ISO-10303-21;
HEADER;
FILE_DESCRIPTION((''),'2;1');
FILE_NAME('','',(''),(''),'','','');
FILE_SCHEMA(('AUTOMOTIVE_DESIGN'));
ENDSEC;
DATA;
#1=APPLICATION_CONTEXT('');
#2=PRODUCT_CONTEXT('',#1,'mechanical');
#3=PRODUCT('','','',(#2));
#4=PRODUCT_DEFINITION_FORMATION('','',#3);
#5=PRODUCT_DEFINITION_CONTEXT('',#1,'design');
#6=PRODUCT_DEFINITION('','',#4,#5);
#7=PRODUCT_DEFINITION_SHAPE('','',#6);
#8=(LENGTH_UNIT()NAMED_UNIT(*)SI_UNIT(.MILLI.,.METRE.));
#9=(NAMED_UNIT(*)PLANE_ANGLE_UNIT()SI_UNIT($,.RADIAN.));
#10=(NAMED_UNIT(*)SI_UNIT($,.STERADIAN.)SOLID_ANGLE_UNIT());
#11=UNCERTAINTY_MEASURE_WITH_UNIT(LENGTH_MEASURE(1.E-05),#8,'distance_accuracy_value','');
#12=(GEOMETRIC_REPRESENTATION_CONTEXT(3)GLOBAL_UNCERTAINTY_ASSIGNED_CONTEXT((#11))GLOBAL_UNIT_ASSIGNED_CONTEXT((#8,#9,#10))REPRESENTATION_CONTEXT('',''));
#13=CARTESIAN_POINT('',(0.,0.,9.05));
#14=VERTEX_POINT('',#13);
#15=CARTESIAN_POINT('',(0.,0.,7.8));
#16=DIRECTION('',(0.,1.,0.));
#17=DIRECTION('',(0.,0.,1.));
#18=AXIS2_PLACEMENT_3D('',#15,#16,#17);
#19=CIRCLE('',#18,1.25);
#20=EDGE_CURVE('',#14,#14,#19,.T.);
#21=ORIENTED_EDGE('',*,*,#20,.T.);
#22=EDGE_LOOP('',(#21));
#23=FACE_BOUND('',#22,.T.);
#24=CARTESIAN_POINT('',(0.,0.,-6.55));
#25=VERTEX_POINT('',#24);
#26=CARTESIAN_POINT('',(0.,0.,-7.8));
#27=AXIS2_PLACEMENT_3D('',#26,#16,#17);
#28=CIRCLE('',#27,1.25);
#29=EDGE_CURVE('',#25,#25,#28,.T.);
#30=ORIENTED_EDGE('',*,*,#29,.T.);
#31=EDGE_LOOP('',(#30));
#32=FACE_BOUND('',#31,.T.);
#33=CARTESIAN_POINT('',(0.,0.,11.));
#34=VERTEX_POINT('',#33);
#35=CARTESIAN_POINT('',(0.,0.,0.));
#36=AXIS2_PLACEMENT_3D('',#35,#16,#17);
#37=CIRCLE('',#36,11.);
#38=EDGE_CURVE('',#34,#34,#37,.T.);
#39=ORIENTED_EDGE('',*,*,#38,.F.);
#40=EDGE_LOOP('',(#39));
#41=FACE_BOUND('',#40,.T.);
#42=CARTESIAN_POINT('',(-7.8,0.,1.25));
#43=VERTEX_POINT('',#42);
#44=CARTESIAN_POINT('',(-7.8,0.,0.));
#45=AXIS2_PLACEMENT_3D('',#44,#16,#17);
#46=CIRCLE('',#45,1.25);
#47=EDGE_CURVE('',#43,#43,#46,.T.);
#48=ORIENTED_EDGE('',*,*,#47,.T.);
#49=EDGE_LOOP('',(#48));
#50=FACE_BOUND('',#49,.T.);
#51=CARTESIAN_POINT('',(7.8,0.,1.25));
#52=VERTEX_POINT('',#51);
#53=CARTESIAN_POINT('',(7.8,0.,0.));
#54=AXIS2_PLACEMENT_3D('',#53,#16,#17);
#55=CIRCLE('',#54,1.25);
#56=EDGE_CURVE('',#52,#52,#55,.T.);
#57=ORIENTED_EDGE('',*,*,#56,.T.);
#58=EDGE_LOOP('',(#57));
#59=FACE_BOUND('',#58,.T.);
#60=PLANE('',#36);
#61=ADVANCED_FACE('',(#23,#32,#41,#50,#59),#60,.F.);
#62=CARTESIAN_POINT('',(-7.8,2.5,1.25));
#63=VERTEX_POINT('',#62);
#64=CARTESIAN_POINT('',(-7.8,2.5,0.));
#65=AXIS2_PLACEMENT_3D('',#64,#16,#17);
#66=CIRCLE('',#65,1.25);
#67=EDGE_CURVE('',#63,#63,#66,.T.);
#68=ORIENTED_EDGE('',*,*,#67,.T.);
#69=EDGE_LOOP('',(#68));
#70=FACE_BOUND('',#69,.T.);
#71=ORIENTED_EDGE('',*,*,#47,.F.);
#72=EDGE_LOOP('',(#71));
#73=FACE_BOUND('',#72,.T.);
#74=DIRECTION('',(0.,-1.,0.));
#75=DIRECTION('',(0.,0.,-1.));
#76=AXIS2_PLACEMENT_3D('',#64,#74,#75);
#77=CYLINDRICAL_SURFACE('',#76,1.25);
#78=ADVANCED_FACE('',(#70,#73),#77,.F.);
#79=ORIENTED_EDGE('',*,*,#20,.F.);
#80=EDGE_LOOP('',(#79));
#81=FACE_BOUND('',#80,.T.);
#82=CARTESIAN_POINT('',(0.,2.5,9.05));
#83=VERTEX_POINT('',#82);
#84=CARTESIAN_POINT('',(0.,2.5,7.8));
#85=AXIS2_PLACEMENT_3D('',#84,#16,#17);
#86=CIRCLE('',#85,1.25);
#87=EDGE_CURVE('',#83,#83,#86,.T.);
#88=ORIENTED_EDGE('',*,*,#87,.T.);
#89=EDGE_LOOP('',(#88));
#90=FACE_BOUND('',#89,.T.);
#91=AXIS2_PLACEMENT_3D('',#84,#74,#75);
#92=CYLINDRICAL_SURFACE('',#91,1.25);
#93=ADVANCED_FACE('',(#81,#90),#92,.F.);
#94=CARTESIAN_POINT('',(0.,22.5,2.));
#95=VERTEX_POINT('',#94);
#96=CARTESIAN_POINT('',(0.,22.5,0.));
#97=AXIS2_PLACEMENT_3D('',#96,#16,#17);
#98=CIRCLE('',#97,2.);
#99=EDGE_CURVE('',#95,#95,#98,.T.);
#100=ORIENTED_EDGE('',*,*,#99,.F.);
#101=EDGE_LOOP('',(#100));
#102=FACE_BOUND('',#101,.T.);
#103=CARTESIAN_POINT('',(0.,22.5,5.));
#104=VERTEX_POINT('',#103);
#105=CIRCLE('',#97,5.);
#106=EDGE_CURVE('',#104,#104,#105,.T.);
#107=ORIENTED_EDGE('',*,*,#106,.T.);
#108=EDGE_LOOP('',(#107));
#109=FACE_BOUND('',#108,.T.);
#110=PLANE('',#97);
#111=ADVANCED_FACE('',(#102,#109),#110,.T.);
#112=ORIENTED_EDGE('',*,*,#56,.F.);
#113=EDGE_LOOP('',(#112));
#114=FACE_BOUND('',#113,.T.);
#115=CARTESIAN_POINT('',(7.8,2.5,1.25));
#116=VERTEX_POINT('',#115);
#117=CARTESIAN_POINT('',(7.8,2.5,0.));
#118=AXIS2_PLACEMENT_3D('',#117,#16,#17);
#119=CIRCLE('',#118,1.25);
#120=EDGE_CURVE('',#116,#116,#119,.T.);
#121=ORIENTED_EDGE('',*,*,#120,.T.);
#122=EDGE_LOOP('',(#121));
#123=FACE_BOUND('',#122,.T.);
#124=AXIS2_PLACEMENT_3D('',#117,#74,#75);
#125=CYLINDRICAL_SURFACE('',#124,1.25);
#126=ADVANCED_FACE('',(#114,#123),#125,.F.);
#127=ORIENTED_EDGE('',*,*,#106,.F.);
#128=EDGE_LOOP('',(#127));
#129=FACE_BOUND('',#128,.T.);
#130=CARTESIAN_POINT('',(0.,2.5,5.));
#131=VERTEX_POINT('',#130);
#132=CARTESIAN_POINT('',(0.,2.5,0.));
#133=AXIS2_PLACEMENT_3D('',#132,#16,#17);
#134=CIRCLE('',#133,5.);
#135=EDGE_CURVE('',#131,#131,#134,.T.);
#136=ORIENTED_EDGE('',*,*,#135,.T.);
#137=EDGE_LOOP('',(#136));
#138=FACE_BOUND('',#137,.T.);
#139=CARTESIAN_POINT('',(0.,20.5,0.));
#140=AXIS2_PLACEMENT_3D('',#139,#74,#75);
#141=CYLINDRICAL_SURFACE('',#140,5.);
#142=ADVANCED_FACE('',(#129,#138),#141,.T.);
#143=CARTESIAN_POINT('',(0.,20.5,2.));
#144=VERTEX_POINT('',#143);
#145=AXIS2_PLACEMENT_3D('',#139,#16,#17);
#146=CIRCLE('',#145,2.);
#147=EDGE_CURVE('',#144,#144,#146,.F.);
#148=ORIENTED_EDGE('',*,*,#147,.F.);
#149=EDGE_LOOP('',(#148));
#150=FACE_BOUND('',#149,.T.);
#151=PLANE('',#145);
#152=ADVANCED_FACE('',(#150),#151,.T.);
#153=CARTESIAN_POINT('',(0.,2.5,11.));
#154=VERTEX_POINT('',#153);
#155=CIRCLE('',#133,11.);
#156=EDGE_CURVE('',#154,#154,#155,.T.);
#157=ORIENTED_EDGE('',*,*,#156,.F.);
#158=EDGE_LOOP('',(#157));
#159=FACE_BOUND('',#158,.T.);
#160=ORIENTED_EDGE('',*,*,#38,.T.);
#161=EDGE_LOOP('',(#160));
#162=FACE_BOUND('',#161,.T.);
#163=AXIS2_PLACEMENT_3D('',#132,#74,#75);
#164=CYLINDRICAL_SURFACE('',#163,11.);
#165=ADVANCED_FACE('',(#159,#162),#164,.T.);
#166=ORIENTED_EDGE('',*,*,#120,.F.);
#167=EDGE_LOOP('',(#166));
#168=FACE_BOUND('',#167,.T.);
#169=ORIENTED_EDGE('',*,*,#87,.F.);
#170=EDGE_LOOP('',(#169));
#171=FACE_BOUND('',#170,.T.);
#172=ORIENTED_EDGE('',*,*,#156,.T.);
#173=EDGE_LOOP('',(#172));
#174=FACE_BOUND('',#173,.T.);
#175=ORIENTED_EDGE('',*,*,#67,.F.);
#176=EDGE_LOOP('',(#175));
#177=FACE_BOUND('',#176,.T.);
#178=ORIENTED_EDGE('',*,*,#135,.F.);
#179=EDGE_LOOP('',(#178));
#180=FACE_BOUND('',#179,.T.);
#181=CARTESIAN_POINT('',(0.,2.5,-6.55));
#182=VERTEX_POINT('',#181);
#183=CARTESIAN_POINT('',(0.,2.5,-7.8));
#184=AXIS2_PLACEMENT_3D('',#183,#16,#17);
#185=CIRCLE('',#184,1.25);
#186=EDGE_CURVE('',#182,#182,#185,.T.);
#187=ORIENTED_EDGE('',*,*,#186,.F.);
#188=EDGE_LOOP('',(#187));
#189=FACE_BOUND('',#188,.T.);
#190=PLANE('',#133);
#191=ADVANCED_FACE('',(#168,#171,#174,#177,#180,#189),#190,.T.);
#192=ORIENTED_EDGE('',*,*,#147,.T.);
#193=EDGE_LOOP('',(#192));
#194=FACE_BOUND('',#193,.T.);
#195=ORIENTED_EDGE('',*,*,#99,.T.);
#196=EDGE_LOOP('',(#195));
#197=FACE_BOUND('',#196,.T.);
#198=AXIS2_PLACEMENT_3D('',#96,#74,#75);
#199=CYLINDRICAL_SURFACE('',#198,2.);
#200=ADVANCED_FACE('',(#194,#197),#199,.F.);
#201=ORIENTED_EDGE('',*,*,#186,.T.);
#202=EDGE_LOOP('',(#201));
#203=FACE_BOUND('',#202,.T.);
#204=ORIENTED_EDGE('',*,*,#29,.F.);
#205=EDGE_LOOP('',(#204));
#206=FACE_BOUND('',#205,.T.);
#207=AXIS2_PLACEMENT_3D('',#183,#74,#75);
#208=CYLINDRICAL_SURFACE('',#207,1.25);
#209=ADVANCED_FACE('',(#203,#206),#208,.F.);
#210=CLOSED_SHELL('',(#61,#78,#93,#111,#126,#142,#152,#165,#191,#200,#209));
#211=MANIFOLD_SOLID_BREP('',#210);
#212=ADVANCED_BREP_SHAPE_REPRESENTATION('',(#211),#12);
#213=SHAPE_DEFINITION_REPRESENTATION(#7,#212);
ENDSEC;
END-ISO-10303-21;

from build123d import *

# Parameters (mm, degrees)
SKETCH1_R           = 11
SKETCH1_R_2         = 1.25
BOSS_EXTRUDE2_DEPTH = 2.5
SKETCH2_R           = 5
BOSS_EXTRUDE3_DEPTH = 18
SKETCH3_R           = 5
SKETCH3_R_2         = 2
BOSS_EXTRUDE4_DEPTH = 2


with BuildPart() as part:
    # Sketch1 → Boss-Extrude2 (new body)
    with BuildSketch(Plane(origin=(0, 0, 0), x_dir=(1, 0, 0), z_dir=(0, 1, 0))):
        with Locations(Location((0, 0, 0), (0, 0, 270))):
            Circle(SKETCH1_R)
        with Locations(Location((-7.8, 0, 0), (0, 0, 270))):
            Circle(SKETCH1_R_2, mode=Mode.SUBTRACT)
        with Locations(Location((0, 7.8, 0), (0, 0, 270))):
            Circle(SKETCH1_R_2, mode=Mode.SUBTRACT)
        with Locations(Location((7.8, 0, 0), (0, 0, 270))):
            Circle(SKETCH1_R_2, mode=Mode.SUBTRACT)
        with Locations(Location((0, -7.8, 0), (0, 0, 270))):
            Circle(SKETCH1_R_2, mode=Mode.SUBTRACT)
    extrude(amount=BOSS_EXTRUDE2_DEPTH)

    # Sketch2 → Boss-Extrude3 (add)
    with BuildSketch(Plane(origin=(0, 2.5, 0), x_dir=(1, 0, 0), z_dir=(0, 1, 0))):
        with Locations(Location((0, 0, 0), (0, 0, 270))):
            Circle(SKETCH2_R)
    extrude(amount=BOSS_EXTRUDE3_DEPTH)

    # Sketch3 → Boss-Extrude4 (add)
    with BuildSketch(Plane(origin=(0, 20.5, 0), x_dir=(1, 0, 0), z_dir=(0, 1, 0))):
        with Locations(Location((0, 0, 0), (0, 0, 270))):
            Circle(SKETCH3_R)
        with Locations(Location((0, 0, 0), (0, 0, 270))):
            Circle(SKETCH3_R_2, mode=Mode.SUBTRACT)
    extrude(amount=BOSS_EXTRUDE4_DEPTH)


solid = part.part
